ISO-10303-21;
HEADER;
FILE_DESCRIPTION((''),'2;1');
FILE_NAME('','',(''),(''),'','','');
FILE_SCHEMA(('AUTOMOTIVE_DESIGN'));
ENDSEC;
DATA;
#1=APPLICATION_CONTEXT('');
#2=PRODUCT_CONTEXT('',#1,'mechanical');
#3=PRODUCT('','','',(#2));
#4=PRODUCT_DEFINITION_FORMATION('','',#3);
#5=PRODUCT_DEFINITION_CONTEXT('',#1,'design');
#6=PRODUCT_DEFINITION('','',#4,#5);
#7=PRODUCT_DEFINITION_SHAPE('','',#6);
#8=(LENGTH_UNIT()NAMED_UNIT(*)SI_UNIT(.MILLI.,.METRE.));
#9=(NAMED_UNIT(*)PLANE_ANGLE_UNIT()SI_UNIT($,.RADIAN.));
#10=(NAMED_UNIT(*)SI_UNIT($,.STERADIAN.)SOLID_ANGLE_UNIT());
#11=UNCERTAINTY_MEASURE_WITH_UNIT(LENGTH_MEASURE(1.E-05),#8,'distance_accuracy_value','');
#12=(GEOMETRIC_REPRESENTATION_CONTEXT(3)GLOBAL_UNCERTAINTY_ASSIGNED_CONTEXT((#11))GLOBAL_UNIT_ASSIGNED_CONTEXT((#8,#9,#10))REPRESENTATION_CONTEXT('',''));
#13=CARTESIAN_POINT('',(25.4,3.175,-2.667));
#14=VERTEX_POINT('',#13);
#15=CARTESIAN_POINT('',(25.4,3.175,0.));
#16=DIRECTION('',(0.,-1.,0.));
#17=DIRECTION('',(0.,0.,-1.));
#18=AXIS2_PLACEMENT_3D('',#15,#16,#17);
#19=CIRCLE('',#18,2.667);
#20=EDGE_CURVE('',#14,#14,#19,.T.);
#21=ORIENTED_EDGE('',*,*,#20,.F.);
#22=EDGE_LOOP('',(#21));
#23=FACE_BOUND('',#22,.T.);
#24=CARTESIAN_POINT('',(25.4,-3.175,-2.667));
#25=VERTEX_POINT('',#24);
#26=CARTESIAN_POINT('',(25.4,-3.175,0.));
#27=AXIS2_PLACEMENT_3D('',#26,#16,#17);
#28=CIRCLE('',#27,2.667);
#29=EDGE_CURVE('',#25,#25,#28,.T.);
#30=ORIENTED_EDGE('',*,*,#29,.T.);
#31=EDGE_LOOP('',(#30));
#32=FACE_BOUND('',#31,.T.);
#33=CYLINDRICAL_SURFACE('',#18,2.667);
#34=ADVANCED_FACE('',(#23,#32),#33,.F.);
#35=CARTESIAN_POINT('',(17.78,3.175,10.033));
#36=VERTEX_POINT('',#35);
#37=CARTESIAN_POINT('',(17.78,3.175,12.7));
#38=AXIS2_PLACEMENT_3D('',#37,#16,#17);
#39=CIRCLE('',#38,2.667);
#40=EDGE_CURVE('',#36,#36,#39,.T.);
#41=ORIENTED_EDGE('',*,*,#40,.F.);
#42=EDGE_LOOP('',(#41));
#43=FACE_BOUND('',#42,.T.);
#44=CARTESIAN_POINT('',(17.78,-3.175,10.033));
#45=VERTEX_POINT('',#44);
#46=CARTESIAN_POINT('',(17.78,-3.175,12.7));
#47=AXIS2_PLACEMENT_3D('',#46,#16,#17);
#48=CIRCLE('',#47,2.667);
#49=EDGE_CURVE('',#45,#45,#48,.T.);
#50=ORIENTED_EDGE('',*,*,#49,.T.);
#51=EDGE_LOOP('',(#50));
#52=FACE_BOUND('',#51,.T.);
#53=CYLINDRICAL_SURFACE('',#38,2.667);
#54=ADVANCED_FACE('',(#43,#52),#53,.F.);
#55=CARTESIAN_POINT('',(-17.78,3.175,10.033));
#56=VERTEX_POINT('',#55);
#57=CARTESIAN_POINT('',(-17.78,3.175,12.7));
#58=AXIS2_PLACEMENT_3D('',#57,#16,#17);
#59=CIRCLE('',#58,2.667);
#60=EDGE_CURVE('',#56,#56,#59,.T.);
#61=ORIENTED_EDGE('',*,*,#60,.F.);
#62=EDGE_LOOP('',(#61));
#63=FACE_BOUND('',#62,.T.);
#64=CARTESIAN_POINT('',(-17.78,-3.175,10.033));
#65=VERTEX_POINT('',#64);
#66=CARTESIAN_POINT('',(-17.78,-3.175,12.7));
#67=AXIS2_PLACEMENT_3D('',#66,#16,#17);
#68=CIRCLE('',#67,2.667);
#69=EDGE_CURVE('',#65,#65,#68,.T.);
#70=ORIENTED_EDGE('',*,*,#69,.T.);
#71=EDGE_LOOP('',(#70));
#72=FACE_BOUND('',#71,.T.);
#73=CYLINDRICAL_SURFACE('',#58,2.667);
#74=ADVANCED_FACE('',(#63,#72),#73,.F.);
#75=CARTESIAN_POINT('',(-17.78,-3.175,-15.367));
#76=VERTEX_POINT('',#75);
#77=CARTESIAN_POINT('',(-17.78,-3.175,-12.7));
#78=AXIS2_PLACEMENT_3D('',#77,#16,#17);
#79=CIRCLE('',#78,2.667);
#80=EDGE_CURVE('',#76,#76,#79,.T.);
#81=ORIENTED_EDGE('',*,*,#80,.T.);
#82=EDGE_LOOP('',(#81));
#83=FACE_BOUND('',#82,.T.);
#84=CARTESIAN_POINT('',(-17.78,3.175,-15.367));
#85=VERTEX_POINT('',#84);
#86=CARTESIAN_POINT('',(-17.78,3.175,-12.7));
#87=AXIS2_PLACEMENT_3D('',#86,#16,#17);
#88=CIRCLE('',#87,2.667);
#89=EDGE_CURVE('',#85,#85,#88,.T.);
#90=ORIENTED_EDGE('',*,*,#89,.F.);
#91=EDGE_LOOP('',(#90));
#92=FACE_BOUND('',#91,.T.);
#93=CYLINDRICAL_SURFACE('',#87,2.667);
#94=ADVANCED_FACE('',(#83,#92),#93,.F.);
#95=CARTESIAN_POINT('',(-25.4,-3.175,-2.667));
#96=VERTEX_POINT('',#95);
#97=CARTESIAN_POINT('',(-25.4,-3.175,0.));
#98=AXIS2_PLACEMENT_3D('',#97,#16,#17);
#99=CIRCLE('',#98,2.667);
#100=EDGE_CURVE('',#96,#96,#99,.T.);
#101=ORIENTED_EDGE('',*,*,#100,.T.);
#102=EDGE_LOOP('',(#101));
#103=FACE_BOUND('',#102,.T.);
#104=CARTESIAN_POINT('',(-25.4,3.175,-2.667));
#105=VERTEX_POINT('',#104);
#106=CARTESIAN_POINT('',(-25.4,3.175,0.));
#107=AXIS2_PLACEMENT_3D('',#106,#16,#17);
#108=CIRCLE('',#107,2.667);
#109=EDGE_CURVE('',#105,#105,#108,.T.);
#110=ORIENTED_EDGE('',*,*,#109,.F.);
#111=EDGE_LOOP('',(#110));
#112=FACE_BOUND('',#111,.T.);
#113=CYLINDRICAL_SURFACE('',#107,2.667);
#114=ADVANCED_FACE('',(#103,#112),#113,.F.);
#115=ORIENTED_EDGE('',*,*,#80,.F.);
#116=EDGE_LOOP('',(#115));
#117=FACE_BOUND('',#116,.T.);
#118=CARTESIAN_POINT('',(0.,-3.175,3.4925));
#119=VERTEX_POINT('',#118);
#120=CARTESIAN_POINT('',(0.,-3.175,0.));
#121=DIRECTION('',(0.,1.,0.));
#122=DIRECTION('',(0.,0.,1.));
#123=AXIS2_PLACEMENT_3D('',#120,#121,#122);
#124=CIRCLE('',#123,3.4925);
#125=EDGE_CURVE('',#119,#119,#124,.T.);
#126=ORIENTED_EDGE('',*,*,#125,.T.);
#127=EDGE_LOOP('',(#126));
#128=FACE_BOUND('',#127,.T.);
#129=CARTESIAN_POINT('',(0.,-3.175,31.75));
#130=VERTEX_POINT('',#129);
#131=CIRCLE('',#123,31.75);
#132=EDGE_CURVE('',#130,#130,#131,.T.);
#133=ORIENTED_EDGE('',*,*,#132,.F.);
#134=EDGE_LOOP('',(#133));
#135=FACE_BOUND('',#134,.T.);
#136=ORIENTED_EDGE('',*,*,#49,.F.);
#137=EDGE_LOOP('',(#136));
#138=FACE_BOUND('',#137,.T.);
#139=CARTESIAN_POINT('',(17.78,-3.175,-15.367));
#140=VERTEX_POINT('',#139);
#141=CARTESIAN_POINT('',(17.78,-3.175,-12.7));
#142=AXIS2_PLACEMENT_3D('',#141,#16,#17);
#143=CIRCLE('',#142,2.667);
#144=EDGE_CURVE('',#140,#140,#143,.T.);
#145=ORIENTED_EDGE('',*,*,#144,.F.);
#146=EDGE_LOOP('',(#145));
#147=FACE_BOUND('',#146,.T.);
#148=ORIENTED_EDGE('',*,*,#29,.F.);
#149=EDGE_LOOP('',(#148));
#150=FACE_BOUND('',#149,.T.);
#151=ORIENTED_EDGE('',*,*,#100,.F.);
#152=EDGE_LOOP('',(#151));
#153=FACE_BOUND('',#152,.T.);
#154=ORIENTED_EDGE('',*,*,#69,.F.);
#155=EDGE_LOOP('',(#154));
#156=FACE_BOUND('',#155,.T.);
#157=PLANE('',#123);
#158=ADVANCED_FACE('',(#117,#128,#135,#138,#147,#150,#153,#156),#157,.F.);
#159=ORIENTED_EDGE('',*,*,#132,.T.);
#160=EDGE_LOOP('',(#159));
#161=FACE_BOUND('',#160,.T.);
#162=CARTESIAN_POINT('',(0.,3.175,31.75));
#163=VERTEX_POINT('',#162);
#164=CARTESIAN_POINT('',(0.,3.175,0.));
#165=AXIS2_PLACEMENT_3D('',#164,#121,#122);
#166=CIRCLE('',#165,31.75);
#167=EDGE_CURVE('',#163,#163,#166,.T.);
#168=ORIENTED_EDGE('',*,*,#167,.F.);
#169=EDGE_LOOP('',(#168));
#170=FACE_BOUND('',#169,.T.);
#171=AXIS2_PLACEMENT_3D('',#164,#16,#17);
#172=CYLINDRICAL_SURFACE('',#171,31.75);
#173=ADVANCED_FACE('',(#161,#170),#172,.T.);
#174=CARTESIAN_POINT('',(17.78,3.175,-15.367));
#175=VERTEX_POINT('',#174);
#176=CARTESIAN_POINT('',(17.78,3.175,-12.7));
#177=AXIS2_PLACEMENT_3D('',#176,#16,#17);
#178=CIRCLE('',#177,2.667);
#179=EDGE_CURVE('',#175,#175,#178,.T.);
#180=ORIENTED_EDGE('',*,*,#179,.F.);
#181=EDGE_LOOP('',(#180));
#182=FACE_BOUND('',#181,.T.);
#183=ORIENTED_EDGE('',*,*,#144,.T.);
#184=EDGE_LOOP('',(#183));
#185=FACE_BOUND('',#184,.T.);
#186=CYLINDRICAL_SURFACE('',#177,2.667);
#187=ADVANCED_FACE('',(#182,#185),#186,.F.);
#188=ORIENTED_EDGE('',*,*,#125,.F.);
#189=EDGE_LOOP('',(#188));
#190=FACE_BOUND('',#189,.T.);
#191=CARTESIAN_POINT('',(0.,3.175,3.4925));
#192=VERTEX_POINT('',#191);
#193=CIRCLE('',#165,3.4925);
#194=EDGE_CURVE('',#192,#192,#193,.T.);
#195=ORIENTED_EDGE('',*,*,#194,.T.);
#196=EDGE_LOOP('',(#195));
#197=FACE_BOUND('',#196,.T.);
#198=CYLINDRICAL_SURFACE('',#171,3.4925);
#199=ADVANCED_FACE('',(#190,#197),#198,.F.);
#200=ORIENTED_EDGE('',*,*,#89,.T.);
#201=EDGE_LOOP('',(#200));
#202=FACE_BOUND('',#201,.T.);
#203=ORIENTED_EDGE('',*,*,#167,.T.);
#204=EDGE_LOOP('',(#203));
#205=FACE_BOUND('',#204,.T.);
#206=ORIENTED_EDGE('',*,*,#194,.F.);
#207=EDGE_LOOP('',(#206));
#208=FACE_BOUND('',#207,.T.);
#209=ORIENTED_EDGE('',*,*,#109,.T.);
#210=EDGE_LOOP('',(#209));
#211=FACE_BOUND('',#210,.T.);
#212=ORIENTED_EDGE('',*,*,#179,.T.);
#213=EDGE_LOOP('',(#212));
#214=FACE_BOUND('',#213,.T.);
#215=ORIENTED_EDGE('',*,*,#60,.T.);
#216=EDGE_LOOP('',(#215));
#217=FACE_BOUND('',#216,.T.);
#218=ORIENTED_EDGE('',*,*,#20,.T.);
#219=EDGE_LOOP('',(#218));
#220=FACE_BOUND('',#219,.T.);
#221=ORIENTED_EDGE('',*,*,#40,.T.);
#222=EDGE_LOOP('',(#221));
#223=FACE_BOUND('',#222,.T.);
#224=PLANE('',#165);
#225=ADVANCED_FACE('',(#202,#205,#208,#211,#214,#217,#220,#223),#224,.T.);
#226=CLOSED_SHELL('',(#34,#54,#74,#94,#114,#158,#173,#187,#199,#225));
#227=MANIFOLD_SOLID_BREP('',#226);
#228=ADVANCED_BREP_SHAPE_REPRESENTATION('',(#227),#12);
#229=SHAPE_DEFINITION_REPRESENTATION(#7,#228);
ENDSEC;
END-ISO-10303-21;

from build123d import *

# Parameters (mm, degrees)
SKETCH1_R           = 31.75
SKETCH1_R_2         = 3.4925
BOSS_EXTRUDE1_DEPTH = 3.175
SKETCH2_R           = 2.667
CUT_EXTRUDE1_DEPTH  = 7.35


with BuildPart() as part:
    # Sketch1 → Boss-Extrude1 (new body, symmetric)
    with BuildSketch(Plane(origin=(0, 0, 0), x_dir=(1, 0, 0), z_dir=(0, 1, 0))):
        Circle(SKETCH1_R)
        Circle(SKETCH1_R_2, mode=Mode.SUBTRACT)
    extrude(amount=BOSS_EXTRUDE1_DEPTH, both=True)

    # Sketch2 → Cut-Extrude1 (cut, through all)
    with BuildSketch(Plane.XZ.offset(3.175)):
        with Locations((-17.78, 12.7)):
            Circle(SKETCH2_R)
        with Locations((-25.4, 0)):
            Circle(SKETCH2_R)
        with Locations((-17.78, -12.7)):
            Circle(SKETCH2_R)
        with Locations((17.78, -12.7)):
            Circle(SKETCH2_R)
        with Locations((25.4, 0)):
            Circle(SKETCH2_R)
        with Locations((17.78, 12.7)):
            Circle(SKETCH2_R)
    extrude(amount=-CUT_EXTRUDE1_DEPTH, mode=Mode.SUBTRACT)


solid = part.part
